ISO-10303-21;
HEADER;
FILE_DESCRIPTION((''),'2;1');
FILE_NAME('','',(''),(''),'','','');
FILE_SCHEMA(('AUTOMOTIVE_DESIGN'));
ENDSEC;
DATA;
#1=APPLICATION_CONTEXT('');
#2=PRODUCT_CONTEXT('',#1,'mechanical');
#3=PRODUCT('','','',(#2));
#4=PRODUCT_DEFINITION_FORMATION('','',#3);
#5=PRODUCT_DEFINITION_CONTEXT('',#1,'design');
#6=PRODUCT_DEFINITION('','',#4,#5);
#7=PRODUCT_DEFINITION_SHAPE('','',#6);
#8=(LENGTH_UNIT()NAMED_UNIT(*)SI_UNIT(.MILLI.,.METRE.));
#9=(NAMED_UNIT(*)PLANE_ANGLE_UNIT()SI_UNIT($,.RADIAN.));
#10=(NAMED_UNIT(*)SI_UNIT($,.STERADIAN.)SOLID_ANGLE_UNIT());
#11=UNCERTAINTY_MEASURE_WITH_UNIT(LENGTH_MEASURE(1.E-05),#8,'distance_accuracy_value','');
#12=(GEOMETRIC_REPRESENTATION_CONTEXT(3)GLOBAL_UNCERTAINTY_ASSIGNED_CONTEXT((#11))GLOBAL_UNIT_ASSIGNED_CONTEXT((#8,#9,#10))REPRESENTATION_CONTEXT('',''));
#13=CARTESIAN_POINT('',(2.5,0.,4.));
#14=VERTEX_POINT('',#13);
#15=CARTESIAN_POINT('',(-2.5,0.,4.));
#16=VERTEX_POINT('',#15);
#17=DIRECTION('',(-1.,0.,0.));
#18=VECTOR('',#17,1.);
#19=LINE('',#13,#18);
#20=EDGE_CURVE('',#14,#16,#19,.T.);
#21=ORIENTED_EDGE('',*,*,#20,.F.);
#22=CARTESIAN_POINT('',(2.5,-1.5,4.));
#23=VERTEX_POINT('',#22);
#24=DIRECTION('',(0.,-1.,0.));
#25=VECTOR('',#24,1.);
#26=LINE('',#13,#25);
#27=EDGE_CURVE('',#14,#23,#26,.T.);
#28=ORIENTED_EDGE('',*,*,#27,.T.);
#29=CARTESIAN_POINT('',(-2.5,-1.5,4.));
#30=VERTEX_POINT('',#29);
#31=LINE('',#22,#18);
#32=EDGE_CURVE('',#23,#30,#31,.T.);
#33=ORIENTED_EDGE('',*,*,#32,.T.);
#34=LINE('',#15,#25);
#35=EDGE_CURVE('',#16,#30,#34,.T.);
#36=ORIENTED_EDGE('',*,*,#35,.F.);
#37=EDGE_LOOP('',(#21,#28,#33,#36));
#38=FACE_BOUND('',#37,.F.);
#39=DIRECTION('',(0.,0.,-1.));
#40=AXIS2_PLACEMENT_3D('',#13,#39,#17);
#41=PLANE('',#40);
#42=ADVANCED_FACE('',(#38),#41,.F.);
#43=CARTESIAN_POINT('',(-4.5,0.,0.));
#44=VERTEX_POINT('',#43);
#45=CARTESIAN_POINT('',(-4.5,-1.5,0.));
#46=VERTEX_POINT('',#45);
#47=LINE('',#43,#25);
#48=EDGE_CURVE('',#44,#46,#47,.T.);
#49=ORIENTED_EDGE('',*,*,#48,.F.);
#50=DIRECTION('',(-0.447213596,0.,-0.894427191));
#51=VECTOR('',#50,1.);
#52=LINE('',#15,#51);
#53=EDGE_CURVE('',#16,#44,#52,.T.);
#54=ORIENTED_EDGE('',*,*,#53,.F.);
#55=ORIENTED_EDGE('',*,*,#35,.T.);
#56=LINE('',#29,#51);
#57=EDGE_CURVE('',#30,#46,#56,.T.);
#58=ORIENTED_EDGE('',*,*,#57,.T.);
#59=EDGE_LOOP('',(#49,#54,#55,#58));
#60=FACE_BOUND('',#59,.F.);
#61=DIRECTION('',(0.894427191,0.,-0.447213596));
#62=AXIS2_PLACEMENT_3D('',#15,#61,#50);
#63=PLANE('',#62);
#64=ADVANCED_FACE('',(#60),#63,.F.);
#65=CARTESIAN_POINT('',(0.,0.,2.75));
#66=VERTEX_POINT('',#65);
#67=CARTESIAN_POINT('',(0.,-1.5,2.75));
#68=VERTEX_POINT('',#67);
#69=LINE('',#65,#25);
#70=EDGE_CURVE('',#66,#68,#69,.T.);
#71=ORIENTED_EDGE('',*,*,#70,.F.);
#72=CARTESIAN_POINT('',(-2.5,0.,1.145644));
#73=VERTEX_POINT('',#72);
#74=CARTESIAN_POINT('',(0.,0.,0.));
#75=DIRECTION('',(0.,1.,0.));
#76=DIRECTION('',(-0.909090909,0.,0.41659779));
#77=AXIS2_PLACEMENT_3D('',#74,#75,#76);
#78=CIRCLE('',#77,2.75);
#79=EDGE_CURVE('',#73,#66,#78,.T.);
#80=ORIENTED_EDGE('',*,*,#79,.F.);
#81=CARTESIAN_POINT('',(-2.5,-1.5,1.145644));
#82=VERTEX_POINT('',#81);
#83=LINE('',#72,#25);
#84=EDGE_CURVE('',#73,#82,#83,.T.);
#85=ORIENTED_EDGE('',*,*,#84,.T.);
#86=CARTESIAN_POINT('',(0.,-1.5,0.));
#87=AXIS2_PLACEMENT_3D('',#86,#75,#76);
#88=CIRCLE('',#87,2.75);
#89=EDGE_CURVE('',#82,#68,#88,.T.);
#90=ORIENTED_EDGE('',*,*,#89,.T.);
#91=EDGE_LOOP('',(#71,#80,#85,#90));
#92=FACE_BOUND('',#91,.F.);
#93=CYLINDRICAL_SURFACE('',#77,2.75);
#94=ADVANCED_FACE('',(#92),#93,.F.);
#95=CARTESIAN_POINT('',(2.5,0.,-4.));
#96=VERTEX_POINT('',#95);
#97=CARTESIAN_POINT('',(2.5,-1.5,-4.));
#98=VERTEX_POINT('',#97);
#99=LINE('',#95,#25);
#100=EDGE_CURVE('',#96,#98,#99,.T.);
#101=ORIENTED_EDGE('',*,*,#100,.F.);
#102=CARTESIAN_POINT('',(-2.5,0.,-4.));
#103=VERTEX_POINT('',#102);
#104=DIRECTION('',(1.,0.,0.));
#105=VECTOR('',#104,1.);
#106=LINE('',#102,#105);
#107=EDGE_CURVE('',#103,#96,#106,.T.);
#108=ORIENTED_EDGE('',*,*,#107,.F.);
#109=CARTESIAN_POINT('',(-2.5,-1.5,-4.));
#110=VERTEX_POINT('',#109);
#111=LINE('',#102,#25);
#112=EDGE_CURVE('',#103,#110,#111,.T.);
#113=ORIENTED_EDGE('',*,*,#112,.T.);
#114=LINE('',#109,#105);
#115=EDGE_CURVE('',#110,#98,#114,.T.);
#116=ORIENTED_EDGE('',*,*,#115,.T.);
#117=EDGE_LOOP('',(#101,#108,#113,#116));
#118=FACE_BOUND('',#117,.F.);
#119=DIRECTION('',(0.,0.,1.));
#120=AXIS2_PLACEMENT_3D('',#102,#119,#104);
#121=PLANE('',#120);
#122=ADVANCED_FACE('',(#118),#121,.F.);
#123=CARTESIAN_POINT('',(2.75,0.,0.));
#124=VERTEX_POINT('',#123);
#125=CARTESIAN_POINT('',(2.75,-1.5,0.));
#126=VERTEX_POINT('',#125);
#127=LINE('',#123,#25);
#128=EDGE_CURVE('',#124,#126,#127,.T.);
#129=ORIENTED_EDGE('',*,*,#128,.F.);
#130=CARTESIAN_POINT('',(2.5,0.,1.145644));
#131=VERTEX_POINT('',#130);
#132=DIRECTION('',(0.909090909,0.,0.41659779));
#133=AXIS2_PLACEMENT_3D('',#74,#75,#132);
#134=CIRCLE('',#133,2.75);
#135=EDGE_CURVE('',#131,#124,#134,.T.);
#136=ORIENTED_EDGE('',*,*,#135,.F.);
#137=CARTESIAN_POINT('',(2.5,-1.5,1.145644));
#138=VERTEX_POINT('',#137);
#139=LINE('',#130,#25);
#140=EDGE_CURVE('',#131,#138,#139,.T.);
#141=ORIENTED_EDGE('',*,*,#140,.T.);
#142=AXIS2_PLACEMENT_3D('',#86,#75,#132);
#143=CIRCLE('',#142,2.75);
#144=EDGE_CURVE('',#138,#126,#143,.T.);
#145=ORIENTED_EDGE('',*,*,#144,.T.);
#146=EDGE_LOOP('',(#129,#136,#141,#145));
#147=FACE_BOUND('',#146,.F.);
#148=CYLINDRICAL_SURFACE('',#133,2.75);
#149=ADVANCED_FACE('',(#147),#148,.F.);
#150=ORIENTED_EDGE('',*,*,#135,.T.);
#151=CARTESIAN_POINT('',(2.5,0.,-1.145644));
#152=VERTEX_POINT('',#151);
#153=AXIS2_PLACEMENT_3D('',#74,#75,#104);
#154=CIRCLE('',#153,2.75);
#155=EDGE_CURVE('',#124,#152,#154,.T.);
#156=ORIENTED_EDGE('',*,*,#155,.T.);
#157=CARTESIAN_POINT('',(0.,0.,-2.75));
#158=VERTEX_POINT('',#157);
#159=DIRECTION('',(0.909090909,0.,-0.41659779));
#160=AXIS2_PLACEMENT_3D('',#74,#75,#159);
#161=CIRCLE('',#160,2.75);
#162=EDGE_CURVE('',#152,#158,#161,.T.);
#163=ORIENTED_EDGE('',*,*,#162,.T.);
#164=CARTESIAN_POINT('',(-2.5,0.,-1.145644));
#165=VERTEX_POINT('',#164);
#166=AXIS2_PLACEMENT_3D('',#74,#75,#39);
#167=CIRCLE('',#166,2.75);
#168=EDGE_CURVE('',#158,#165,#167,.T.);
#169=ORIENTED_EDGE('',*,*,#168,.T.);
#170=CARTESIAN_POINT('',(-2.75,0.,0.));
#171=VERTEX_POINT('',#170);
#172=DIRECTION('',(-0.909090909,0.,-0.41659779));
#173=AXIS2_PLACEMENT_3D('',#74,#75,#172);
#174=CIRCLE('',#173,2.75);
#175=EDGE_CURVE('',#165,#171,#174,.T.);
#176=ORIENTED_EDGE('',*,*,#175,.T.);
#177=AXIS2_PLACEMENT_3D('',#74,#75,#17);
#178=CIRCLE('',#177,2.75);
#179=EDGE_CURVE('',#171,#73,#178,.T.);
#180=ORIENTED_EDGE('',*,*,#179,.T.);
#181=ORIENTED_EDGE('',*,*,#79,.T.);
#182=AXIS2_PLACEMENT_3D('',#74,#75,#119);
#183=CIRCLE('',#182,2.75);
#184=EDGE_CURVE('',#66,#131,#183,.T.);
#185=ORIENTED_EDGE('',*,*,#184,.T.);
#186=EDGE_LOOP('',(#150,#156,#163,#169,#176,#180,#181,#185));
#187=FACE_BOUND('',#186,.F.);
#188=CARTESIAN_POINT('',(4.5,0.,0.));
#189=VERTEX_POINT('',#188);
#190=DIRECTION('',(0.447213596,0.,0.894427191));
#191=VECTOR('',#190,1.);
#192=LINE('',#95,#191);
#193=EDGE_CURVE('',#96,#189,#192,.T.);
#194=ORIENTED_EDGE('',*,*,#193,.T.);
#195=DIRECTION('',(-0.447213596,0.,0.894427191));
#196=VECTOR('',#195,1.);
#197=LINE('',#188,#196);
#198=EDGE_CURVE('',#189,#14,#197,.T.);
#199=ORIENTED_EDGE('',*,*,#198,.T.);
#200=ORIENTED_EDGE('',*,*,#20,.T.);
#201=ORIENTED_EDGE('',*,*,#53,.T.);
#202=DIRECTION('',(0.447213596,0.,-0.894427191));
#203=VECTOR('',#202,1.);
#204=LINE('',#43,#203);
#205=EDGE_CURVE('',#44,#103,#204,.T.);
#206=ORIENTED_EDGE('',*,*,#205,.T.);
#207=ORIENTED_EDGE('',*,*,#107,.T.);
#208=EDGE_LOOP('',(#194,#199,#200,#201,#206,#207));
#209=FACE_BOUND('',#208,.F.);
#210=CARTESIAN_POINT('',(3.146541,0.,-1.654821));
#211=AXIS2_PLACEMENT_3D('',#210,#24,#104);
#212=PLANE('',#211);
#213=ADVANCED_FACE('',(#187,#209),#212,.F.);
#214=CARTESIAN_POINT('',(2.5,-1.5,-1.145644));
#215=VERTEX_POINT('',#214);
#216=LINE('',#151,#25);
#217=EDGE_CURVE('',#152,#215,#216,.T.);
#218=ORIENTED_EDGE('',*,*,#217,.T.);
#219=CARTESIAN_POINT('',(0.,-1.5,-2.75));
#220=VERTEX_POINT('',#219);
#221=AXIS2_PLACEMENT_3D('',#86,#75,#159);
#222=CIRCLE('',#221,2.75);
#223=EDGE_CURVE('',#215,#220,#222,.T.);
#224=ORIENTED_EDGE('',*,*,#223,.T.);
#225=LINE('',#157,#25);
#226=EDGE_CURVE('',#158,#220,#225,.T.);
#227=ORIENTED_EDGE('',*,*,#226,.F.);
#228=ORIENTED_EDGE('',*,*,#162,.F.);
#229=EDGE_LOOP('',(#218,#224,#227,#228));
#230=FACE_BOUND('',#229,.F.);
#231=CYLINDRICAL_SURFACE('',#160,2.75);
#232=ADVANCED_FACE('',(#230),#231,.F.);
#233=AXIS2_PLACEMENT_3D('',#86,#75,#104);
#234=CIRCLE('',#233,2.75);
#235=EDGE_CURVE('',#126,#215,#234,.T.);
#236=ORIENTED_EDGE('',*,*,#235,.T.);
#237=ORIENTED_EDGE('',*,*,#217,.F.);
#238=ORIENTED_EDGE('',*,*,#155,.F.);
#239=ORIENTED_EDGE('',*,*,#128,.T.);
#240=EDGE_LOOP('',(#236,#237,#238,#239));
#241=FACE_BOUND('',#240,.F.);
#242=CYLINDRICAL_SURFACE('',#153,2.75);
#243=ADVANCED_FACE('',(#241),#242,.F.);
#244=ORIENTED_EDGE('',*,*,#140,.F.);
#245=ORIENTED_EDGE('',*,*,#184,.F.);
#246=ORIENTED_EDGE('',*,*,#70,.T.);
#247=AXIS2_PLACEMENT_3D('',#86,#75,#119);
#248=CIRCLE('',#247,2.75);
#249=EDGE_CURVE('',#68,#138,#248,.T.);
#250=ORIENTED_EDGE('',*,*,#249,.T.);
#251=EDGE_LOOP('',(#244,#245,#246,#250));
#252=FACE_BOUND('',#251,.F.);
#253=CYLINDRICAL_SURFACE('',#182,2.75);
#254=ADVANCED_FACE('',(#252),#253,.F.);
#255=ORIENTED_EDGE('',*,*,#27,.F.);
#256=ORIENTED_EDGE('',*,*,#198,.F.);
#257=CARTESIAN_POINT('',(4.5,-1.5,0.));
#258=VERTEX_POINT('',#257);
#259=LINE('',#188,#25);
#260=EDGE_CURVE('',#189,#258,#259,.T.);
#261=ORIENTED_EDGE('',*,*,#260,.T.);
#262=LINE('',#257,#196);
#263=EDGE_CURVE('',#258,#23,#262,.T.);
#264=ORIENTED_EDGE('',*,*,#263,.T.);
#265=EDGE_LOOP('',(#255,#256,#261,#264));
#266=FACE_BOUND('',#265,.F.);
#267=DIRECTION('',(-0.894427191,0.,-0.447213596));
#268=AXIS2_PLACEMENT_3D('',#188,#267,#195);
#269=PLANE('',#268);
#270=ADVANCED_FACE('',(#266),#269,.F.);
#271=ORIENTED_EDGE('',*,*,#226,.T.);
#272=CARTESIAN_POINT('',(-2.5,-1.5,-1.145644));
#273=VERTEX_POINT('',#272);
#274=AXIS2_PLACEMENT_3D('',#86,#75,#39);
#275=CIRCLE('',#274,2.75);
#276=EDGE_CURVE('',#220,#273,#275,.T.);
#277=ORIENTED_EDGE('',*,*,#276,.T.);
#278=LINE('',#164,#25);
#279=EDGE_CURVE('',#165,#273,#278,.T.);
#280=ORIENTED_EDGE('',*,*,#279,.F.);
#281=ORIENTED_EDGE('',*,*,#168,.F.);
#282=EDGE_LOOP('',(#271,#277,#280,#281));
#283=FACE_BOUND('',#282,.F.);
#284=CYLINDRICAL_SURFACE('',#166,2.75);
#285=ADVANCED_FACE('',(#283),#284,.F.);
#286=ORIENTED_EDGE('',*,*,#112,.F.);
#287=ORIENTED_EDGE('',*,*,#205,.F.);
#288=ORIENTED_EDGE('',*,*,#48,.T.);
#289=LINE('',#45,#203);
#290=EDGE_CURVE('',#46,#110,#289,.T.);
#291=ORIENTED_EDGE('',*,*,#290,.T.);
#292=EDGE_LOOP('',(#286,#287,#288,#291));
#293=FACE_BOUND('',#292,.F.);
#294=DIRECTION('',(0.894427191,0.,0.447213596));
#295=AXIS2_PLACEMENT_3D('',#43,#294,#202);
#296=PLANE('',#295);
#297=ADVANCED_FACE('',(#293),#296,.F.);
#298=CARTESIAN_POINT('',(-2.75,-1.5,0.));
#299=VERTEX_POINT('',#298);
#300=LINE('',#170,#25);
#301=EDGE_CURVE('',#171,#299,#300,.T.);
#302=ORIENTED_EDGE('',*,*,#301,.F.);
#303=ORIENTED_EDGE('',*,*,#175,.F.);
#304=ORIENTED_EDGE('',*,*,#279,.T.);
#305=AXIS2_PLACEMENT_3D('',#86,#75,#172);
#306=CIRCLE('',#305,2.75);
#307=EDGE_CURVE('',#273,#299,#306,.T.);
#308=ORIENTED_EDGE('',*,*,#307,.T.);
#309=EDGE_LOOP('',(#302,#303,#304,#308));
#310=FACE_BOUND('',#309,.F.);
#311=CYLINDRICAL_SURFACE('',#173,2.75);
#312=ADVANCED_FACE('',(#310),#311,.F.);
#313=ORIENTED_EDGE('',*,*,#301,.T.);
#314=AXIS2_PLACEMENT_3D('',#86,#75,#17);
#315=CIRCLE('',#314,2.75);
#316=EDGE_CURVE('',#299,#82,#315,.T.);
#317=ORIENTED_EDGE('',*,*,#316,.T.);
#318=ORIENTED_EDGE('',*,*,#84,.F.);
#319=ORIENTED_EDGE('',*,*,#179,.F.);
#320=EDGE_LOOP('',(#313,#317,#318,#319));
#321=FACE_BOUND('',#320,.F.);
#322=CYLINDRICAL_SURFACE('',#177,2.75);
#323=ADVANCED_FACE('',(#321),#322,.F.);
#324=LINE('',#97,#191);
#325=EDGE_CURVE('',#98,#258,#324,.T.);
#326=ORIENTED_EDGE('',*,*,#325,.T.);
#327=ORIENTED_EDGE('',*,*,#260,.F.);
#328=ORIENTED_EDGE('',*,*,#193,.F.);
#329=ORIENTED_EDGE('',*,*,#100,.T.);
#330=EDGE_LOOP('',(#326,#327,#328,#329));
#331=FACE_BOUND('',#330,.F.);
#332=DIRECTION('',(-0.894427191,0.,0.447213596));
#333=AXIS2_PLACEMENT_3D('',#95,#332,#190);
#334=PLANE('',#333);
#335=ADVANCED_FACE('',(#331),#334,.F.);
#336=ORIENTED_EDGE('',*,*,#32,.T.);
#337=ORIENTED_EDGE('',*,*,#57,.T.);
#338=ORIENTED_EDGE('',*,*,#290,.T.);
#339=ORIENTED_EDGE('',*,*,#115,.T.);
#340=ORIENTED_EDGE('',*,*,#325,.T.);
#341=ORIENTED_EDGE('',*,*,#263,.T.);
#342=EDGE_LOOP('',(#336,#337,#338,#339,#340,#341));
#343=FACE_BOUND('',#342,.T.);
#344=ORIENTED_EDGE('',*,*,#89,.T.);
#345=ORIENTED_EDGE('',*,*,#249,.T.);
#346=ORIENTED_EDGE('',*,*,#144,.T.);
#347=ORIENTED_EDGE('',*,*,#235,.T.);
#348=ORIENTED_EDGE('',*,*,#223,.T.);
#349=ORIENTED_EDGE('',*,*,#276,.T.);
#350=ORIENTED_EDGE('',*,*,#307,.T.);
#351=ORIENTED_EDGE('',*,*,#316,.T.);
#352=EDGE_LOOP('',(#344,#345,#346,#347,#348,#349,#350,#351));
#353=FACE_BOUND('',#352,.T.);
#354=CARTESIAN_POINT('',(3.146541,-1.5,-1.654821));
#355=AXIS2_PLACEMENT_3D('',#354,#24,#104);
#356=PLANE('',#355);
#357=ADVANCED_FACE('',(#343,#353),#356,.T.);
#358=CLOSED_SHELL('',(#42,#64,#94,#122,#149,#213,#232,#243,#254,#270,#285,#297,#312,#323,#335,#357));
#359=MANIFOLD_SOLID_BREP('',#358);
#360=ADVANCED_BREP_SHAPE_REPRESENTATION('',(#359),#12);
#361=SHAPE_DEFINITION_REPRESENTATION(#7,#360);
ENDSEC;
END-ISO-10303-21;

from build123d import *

# Parameters (mm, degrees)
F1_DEPTH = 1.5


with BuildPart() as f1:
    # F0 (on Front) → F1 (new body)
    with BuildSketch(Plane.XZ):
        with BuildLine():
            Line((2.5, -1.1456439237), (2.5, -4))
            Line((2.5, -4), (4.5, 0))
            Line((4.5, 0), (2.75, 0))
            ThreePointArc((2.75, 0), (2.6867731575, -0.58630197), (2.5, -1.1456439237))
        make_face()
        with BuildLine():
            Line((0, -4), (2.5, -4))
            Line((2.5, -4), (2.5, -1.1456439237))
            ThreePointArc((2.5, -1.1456439237), (1.4852574204, -2.314413618), (0, -2.75))
            Line((0, -2.75), (0, -4))
        make_face()
        with BuildLine():
            Line((-2.5, -4), (0, -4))
            Line((0, -4), (0, -2.75))
            ThreePointArc((0, -2.75), (-1.4852574204, -2.314413618), (-2.5, -1.1456439237))
            Line((-2.5, -1.1456439237), (-2.5, -4))
        make_face()
        with BuildLine():
            Line((-4.5, 0), (-2.5, -4))
            Line((-2.5, -4), (-2.5, -1.1456439237))
            ThreePointArc((-2.5, -1.1456439237), (-2.6867731575, -0.58630197), (-2.75, 0))
            Line((-2.75, 0), (-4.5, 0))
        make_face()
        with BuildLine():
            Line((-2.5, 4), (-4.5, 0))
            Line((-4.5, 0), (-2.75, 0))
            ThreePointArc((-2.75, 0), (-2.6867731575, 0.58630197), (-2.5, 1.1456439237))
            Line((-2.5, 1.1456439237), (-2.5, 4))
        make_face()
        with BuildLine():
            Line((0, 2.75), (0, 4))
            Line((0, 4), (-2.5, 4))
            Line((-2.5, 4), (-2.5, 1.1456439237))
            ThreePointArc((-2.5, 1.1456439237), (-1.4852574204, 2.314413618), (0, 2.75))
        make_face()
        with BuildLine():
            Line((2.5, 1.1456439237), (2.5, 4))
            Line((2.5, 4), (0, 4))
            Line((0, 4), (0, 2.75))
            ThreePointArc((0, 2.75), (1.4852574204, 2.314413618), (2.5, 1.1456439237))
        make_face()
        with BuildLine():
            Line((2.75, 0), (4.5, 0))
            Line((4.5, 0), (2.5, 4))
            Line((2.5, 4), (2.5, 1.1456439237))
            ThreePointArc((2.5, 1.1456439237), (2.6867731575, 0.58630197), (2.75, 0))
        make_face()
    extrude(amount=F1_DEPTH)


solid = f1.part
